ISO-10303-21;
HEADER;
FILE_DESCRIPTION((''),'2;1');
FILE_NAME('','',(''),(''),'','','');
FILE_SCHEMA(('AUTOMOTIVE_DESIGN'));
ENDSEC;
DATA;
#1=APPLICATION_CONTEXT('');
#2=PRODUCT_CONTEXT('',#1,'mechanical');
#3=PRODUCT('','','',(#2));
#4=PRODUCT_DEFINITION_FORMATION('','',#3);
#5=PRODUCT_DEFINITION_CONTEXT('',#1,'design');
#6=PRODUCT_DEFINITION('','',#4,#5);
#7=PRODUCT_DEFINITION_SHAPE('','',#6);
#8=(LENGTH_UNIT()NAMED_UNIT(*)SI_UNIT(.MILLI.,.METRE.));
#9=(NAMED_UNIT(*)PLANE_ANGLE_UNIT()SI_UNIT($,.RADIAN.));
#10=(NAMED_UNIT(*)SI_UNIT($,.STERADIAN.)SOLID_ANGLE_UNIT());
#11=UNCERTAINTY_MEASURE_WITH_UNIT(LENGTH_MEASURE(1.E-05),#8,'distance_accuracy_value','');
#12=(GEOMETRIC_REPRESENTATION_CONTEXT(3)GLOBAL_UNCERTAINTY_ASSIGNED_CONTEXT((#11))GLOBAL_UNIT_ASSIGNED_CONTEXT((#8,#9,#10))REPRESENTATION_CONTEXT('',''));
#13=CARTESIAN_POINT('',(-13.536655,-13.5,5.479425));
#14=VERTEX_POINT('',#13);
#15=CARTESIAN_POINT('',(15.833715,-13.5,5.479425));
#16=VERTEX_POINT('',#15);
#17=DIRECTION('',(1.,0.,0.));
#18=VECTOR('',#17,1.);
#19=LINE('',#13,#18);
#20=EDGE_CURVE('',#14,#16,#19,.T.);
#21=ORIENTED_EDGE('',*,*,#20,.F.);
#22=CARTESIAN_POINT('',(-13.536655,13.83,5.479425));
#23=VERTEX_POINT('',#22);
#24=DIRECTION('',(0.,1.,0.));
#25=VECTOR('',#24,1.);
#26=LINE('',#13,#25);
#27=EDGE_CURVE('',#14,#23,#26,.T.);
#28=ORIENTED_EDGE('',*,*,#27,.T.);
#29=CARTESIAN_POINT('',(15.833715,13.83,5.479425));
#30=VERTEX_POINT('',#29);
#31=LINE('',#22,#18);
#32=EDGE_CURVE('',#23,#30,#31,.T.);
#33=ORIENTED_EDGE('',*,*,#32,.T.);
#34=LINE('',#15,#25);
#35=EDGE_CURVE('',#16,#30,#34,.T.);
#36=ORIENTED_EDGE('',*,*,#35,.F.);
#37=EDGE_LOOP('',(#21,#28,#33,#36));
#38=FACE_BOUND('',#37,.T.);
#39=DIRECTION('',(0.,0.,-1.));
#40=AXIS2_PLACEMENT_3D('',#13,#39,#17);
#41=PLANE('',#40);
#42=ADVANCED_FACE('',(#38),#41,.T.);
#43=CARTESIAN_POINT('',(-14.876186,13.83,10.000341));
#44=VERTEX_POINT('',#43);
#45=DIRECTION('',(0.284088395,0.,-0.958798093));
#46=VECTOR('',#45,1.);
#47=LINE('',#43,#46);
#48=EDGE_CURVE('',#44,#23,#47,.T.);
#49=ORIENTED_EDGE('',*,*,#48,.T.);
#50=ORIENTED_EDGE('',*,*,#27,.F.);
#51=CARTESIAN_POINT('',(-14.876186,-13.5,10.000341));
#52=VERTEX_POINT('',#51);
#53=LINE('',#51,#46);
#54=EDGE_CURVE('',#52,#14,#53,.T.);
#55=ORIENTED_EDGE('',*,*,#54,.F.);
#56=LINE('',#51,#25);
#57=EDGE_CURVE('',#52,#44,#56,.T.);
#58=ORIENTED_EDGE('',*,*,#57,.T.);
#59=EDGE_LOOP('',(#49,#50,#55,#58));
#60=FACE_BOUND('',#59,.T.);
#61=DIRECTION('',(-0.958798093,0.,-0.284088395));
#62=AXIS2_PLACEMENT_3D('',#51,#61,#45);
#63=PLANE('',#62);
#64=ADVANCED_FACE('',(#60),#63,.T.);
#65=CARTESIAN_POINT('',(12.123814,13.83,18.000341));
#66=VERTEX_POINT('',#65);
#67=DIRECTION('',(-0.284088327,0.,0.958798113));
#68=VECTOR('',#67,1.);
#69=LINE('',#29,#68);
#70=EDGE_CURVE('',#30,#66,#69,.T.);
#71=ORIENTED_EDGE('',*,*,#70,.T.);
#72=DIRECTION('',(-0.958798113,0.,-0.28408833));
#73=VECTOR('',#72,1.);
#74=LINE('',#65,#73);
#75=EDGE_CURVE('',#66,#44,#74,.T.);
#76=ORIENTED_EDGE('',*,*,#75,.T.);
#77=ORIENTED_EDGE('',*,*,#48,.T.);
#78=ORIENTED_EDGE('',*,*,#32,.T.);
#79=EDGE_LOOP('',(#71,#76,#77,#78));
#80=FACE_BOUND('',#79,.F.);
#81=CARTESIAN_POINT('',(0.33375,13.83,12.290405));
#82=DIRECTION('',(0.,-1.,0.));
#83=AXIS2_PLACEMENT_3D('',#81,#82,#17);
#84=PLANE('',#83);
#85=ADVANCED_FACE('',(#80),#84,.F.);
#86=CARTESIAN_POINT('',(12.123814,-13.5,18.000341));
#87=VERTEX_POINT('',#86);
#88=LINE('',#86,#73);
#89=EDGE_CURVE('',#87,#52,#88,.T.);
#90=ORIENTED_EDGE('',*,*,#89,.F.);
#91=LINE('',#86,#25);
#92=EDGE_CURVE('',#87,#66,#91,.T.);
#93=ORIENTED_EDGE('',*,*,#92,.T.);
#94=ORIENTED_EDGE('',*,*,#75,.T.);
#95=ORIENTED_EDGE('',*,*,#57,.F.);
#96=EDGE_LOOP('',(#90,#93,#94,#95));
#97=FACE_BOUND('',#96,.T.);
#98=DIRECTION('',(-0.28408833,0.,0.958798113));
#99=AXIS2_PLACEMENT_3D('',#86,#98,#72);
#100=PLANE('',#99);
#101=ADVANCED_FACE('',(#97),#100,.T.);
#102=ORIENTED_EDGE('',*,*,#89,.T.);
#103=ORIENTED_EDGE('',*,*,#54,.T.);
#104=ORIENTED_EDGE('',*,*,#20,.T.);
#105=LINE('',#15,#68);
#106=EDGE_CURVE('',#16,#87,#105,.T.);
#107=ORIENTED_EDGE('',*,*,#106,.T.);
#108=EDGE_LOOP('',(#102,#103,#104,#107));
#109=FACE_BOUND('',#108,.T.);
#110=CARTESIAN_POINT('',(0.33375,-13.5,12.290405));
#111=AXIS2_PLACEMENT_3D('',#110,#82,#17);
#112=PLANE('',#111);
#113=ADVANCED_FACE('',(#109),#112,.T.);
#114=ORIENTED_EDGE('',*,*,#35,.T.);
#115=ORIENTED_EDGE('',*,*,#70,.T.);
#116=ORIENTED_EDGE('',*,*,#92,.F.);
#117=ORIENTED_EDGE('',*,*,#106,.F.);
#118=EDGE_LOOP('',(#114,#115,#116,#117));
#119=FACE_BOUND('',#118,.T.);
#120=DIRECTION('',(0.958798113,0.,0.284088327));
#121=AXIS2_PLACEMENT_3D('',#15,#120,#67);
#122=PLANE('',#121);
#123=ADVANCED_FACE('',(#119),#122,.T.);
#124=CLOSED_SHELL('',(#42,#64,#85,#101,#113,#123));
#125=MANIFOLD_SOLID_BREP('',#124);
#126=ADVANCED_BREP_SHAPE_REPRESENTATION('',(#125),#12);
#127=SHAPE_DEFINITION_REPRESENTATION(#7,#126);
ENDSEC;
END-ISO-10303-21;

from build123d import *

# Parameters (mm, degrees)
F2_DEPTH = 27.33


with BuildPart() as f2:
    # F1 (on offset) → F2 (new body)
    with BuildSketch(Plane.XZ.offset(13.5)):
        Polygon((12.123814, 18.000341), (-14.876186, 10.000341), (12.123814, 10.000341), align=None)
        Polygon((12.123814, 10.000341), (-14.876186, 10.000341), (-13.536655, 5.479425), (15.833715, 5.479425), (12.123814, 18.000341), align=None)
    extrude(amount=-F2_DEPTH)


solid = f2.part
